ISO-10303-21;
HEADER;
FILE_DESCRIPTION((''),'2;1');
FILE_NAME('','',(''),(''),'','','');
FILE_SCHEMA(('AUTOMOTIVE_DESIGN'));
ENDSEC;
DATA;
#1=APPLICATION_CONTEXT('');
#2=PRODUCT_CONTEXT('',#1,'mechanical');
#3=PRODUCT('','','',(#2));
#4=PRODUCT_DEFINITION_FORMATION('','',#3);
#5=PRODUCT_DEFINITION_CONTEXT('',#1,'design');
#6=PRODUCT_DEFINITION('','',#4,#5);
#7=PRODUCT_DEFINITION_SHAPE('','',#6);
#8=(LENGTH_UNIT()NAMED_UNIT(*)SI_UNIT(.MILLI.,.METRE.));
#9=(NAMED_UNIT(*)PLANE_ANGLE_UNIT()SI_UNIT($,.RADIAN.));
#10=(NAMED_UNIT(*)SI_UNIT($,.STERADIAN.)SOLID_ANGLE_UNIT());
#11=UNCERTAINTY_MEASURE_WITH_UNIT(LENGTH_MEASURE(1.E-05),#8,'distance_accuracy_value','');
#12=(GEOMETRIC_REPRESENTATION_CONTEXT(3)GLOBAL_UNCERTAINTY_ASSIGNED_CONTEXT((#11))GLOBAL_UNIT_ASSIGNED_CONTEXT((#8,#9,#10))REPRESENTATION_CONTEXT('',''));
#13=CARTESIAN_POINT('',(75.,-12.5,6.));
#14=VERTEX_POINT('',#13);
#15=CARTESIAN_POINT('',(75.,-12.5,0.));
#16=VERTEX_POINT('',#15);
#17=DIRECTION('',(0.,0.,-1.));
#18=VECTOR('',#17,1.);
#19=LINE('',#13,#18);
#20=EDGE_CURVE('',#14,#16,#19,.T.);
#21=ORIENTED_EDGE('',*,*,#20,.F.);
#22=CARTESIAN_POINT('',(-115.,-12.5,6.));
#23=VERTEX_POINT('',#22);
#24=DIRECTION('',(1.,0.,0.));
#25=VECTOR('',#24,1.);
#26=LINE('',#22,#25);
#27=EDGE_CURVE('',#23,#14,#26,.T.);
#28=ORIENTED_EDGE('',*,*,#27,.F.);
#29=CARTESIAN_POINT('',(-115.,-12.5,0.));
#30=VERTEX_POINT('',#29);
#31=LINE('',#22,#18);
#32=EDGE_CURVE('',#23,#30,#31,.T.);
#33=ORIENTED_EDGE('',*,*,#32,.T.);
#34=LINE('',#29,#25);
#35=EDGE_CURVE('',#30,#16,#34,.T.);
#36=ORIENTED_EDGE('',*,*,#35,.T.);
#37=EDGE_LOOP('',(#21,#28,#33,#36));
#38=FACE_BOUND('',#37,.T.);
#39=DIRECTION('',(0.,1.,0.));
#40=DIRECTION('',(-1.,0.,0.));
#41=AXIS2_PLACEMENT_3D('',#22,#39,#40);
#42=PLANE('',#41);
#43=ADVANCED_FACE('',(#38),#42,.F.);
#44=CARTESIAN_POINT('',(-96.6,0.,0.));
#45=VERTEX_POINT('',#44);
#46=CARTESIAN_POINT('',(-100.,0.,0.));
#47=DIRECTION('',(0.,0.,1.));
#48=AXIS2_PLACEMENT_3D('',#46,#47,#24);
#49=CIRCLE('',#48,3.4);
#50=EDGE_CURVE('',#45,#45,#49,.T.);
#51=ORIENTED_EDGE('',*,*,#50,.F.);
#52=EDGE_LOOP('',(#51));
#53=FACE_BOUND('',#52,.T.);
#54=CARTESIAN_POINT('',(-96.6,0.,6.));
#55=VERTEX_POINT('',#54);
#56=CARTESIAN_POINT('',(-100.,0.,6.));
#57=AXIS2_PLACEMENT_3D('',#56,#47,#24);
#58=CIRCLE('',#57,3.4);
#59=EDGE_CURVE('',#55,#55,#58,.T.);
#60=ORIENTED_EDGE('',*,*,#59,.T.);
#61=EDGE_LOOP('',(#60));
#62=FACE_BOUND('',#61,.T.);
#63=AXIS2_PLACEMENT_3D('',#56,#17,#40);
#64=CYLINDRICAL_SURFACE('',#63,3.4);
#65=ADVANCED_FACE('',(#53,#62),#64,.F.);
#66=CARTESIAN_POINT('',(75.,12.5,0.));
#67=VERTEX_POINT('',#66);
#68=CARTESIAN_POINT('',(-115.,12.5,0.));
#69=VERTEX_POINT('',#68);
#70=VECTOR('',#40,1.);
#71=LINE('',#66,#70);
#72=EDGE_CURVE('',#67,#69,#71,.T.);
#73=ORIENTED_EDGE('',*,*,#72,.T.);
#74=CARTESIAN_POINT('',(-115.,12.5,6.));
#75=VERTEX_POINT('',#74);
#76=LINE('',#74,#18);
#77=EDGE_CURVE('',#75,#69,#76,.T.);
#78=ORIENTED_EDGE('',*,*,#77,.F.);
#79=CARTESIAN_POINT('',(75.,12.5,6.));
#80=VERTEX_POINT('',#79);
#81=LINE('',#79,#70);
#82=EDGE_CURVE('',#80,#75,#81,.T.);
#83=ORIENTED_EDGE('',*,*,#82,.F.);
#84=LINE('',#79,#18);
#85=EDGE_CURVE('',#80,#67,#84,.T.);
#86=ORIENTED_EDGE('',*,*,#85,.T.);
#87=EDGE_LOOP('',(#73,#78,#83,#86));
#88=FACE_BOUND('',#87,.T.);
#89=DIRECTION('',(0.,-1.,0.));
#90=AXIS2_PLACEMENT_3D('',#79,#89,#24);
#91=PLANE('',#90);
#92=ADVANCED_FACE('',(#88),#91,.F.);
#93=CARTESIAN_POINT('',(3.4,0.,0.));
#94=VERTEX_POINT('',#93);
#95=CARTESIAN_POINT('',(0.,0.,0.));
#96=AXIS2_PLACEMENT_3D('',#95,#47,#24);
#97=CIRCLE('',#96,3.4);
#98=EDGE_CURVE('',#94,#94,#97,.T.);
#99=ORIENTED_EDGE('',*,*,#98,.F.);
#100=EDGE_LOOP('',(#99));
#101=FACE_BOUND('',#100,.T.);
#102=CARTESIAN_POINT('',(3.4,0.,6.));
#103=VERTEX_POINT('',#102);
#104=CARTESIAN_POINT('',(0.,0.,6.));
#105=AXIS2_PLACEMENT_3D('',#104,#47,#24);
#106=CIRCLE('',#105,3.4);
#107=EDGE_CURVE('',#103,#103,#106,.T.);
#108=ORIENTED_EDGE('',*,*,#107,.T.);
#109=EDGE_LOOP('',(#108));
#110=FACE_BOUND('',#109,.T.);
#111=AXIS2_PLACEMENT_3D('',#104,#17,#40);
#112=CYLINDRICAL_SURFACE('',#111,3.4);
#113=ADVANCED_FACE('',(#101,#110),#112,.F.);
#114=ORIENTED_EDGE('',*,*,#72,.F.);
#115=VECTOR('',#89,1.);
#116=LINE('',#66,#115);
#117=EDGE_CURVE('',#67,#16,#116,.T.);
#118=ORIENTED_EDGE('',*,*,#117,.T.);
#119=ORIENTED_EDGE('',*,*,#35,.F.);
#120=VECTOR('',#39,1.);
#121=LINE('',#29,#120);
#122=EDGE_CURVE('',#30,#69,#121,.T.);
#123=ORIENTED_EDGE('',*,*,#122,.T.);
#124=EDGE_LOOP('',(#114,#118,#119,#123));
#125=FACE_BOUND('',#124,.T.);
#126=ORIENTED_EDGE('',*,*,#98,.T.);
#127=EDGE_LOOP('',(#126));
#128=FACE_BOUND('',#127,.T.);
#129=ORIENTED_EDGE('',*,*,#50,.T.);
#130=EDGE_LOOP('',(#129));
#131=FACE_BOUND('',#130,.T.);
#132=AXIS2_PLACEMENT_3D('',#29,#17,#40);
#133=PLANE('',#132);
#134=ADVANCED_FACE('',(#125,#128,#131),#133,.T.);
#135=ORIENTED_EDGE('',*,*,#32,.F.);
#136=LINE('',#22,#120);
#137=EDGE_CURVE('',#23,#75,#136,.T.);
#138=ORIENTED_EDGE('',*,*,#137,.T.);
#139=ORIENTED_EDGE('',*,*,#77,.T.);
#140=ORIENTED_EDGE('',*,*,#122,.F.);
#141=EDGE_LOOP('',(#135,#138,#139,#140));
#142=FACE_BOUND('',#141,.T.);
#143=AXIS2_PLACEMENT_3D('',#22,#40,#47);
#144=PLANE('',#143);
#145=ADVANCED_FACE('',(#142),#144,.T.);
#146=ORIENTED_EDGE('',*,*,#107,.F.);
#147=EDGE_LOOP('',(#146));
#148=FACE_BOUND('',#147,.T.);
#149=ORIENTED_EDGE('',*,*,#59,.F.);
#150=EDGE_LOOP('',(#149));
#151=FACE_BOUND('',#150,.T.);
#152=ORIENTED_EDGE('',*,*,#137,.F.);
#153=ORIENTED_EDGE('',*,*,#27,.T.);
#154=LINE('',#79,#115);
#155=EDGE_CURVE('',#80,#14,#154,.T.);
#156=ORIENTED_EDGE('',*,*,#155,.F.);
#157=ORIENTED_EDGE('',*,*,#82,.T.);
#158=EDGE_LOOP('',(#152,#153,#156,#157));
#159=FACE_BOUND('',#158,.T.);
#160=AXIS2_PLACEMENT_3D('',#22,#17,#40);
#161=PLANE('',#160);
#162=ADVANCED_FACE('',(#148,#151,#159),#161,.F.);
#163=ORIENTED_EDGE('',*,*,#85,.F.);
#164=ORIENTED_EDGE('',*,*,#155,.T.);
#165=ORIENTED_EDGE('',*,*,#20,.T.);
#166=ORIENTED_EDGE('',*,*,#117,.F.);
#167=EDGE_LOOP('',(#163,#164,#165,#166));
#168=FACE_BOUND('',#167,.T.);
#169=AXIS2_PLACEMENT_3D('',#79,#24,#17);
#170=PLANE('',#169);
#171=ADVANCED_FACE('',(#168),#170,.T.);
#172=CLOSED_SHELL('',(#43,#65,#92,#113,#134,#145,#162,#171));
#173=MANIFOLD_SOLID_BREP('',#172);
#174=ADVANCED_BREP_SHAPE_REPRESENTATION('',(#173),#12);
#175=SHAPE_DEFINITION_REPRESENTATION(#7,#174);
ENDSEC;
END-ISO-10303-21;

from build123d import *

# Parameters (mm, degrees)
SKETCH1_W             = 190
SKETCH1_H             = 25
SKETCH1_R             = 3.4
BASE_EXTRUDE_DEPTH    = 6
M8_TAPPED_HOLE1_D     = 6.8
M8_TAPPED_HOLE1_DEPTH = 22.25
M8_TAPPED_HOLE1_TIP   = 2.042926105


with BuildPart() as part:
    # Sketch1 → Base-Extrude (new body)
    with BuildSketch(Plane.XY):
        with Locations((-20, 0)):
            Rectangle(SKETCH1_W, SKETCH1_H)
        Circle(SKETCH1_R, mode=Mode.SUBTRACT)
        with Locations((-100, 0)):
            Circle(SKETCH1_R, mode=Mode.SUBTRACT)
    extrude(amount=BASE_EXTRUDE_DEPTH)

    # M8 Tapped Hole1
    with Locations(Plane(origin=(-100, 0, 6), x_dir=(1, 0, 0), z_dir=(0, 0, 1))):
        with Locations((0, 0), (100, 0)):
            Hole(M8_TAPPED_HOLE1_D / 2, depth=M8_TAPPED_HOLE1_DEPTH)
            with Locations((0, 0, -(M8_TAPPED_HOLE1_DEPTH + M8_TAPPED_HOLE1_TIP / 2))):  # 118° drill point
                Cone(0, M8_TAPPED_HOLE1_D / 2, M8_TAPPED_HOLE1_TIP, mode=Mode.SUBTRACT)


solid = part.part
